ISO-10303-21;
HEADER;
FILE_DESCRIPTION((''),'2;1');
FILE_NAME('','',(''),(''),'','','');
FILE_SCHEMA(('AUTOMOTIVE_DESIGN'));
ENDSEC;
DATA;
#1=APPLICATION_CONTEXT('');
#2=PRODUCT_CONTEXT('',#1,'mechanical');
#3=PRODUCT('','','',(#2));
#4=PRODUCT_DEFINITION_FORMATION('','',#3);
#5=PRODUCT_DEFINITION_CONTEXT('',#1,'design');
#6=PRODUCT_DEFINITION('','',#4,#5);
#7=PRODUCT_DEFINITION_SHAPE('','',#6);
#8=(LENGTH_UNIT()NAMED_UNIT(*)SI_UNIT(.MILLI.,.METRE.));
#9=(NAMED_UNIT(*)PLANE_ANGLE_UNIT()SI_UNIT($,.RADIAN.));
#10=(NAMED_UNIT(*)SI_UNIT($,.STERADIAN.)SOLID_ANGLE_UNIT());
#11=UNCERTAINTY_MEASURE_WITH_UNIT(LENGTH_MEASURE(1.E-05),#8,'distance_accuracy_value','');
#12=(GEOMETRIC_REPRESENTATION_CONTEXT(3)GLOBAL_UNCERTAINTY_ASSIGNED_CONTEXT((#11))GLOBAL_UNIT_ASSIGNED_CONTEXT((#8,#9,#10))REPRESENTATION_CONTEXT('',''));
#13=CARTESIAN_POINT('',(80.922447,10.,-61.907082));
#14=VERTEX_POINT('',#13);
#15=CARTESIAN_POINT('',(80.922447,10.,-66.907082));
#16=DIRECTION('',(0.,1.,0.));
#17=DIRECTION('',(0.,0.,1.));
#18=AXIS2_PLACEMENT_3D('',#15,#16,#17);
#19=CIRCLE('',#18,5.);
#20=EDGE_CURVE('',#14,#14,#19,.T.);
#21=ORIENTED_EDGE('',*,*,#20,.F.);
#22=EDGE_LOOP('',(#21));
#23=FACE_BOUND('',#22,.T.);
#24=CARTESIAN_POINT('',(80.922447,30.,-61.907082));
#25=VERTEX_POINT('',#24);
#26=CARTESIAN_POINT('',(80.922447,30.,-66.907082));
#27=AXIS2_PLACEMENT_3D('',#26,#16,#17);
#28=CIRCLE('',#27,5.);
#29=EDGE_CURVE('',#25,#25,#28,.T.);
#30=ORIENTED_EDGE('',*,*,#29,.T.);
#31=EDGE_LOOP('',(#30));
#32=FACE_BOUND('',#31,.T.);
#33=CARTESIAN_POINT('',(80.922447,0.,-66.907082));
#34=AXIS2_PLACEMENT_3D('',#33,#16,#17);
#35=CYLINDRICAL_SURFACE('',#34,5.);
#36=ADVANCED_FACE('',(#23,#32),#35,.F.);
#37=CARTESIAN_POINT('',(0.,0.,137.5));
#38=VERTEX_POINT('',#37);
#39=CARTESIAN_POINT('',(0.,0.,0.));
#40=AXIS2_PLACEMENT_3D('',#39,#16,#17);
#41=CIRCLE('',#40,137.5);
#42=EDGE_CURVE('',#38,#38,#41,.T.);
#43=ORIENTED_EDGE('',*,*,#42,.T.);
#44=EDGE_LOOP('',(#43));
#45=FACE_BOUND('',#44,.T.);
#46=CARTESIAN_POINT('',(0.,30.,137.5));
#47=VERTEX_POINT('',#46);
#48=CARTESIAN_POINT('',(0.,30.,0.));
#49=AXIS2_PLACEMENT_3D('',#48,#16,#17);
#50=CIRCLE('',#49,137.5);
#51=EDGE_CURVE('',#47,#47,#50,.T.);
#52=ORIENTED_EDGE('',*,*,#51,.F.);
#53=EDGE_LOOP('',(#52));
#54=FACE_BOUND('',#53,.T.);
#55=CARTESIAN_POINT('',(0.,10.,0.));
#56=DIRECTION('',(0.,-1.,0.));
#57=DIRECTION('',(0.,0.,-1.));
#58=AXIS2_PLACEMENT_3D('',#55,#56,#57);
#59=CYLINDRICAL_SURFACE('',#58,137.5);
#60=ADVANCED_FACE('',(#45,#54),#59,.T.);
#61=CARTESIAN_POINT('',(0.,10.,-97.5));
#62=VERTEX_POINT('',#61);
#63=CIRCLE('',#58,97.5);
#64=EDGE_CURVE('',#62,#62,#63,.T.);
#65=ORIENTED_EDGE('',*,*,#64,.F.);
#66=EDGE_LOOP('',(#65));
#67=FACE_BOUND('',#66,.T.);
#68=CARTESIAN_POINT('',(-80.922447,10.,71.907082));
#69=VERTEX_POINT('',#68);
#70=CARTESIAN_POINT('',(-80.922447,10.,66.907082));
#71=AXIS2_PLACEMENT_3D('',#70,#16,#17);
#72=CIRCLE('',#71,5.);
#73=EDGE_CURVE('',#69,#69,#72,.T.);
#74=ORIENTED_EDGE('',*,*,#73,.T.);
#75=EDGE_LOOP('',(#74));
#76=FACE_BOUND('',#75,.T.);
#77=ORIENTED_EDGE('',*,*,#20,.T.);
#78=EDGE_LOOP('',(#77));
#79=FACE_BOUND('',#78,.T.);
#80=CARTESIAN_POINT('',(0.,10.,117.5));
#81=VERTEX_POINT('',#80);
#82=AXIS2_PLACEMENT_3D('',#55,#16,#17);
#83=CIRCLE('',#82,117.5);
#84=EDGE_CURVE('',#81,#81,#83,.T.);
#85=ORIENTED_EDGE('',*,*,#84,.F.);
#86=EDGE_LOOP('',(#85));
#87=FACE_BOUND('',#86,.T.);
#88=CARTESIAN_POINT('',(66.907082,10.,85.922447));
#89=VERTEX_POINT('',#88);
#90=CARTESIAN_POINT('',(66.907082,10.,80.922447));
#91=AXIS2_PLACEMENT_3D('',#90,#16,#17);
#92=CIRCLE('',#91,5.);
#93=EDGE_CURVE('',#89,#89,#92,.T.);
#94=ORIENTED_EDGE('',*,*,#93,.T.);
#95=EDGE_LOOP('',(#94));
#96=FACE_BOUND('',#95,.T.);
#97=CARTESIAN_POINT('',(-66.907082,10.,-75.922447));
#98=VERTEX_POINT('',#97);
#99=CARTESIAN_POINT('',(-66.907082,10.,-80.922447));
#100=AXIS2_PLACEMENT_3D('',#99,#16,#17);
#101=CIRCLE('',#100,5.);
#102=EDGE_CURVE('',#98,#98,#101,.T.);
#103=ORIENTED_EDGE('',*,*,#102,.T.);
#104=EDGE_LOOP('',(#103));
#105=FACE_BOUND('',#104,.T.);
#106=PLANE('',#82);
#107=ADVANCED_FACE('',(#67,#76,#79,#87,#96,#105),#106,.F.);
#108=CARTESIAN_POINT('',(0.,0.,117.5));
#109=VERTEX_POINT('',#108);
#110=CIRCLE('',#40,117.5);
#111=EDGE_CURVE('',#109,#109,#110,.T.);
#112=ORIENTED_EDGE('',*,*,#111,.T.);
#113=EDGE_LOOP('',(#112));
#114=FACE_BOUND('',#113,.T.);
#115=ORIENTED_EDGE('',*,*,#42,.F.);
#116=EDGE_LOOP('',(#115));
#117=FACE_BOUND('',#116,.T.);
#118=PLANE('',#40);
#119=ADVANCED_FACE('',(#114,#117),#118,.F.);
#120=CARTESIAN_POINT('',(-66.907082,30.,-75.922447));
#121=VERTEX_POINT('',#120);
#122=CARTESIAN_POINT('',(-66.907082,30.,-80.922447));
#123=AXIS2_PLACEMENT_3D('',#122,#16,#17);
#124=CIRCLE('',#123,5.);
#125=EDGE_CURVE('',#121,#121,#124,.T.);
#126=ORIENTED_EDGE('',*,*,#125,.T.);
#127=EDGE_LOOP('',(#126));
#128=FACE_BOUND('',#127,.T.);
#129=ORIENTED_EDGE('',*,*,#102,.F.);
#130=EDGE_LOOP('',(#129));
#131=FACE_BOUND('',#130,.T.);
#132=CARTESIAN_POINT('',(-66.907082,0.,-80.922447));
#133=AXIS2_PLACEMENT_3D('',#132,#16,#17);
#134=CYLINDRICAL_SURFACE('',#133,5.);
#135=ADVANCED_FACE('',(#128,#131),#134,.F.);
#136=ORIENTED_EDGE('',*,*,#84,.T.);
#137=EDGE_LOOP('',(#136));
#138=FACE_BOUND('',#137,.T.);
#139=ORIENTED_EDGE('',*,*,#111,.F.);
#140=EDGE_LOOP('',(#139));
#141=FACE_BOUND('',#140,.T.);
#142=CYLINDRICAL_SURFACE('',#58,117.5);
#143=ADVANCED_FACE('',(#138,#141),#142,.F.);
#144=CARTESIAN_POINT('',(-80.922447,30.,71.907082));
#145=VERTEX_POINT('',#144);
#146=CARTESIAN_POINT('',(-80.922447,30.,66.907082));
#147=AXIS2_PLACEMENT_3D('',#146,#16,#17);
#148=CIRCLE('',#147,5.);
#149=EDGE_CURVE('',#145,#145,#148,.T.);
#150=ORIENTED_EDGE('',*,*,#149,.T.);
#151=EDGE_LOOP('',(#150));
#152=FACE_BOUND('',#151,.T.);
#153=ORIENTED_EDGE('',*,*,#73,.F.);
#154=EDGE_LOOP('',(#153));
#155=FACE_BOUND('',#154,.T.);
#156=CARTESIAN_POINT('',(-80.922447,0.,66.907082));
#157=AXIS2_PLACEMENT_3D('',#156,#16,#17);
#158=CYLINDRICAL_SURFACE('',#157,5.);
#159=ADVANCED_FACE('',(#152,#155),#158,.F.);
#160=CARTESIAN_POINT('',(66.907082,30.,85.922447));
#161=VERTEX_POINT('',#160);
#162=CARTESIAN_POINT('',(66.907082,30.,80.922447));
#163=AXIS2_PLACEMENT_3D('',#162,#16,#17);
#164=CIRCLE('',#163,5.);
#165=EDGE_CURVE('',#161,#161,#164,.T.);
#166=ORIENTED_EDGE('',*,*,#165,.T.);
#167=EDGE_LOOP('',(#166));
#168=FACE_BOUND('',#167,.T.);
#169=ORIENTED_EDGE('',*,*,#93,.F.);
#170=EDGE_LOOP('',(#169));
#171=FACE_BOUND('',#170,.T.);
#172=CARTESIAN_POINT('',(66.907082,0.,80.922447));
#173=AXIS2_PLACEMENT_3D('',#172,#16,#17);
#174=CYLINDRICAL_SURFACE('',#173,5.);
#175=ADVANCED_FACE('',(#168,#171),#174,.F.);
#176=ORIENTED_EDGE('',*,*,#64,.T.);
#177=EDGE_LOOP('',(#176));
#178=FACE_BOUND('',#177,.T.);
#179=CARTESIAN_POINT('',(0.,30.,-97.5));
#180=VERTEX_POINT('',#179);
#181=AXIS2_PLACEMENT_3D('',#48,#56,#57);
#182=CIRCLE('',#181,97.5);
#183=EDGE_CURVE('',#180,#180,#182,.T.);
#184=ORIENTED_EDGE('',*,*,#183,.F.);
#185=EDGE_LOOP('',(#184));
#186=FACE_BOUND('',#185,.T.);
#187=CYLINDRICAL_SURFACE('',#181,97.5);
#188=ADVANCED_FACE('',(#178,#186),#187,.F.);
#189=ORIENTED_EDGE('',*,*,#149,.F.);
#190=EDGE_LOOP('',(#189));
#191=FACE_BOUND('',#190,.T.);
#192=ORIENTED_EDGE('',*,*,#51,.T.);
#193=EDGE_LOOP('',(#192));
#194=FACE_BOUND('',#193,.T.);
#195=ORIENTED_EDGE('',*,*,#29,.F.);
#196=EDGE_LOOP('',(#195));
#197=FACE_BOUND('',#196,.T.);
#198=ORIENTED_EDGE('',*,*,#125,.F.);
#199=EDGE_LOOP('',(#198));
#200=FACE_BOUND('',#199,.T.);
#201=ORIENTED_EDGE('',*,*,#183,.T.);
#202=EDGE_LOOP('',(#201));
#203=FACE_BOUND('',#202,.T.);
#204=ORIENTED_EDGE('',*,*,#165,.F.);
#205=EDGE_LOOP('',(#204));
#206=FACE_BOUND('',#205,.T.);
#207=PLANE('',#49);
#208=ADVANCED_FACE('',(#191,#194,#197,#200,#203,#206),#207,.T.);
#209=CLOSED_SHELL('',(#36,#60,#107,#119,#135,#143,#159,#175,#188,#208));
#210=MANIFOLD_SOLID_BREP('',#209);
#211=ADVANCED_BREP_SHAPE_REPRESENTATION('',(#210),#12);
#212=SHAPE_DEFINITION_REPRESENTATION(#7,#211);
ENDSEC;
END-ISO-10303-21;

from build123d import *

# Parameters (mm, degrees)
SKETCH_2_R               = 137.5
SKETCH_2_R_2             = 117.5
EXTRUDE_1_DEPTH          = 10
SKETCH_3_R               = 137.5
EXTRUDE_2_DEPTH          = 20
SKETCH_4_R               = 97.5
CUT_EXTRUDE_1_DEPTH      = 196.480178023
CUT_EXTRUDE_2_DEPTH      = 197.7549237
CUT_EXTRUDE_2_DEPTH_BACK = 197.7549237
SKETCH_6_R               = 5


with BuildPart() as part:
    # 草图2 → 凸台-拉伸1 (new body)
    with BuildSketch(Plane(origin=(0, 0, 0), x_dir=(1, 0, 0), z_dir=(0, 1, 0))):
        with Locations(Location((0, 0, 0), (0, 0, 270))):
            Circle(SKETCH_2_R)
        with Locations(Location((0, 0, 0), (0, 0, 270))):
            Circle(SKETCH_2_R_2, mode=Mode.SUBTRACT)
    extrude(amount=EXTRUDE_1_DEPTH)

    # 草图3 → 凸台-拉伸2 (add)
    with BuildSketch(Plane(origin=(0, 10, 0), x_dir=(1, 0, 0), z_dir=(0, 1, 0))):
        with Locations(Location((0, 0, 0), (0, 0, 270))):
            Circle(SKETCH_3_R)
    extrude(amount=EXTRUDE_2_DEPTH)

    # 草图4 → 切除-拉伸1 (cut, through all)
    with BuildSketch(Plane.XZ.offset(-10)):
        with Locations(Location((0, 0, 0), (0, 0, 270))):
            Circle(SKETCH_4_R)
    extrude(amount=-CUT_EXTRUDE_1_DEPTH, mode=Mode.SUBTRACT)

    # 草图6 → 切除-拉伸2 (cut, two sides: drawn at the far end of the back side and taken through both)
    with BuildSketch(Plane(origin=(0, 30, 0), x_dir=(1, 0, 0), z_dir=(0, 1, 0)).offset(-CUT_EXTRUDE_2_DEPTH_BACK)):
        with Locations(Location((80.922446863, 66.907081792, 0), (0, 0, 270))):
            Circle(SKETCH_6_R)
        with Locations(Location((66.907081793, -80.922446862, 0), (0, 0, 270))):
            Circle(SKETCH_6_R)
        with Locations(Location((-80.922446861, -66.907081792, 0), (0, 0, 270))):
            Circle(SKETCH_6_R)
        with Locations(Location((-66.907081791, 80.922446862, 0), (0, 0, 270))):
            Circle(SKETCH_6_R)
    extrude(amount=CUT_EXTRUDE_2_DEPTH + CUT_EXTRUDE_2_DEPTH_BACK, mode=Mode.SUBTRACT)


solid = part.part
